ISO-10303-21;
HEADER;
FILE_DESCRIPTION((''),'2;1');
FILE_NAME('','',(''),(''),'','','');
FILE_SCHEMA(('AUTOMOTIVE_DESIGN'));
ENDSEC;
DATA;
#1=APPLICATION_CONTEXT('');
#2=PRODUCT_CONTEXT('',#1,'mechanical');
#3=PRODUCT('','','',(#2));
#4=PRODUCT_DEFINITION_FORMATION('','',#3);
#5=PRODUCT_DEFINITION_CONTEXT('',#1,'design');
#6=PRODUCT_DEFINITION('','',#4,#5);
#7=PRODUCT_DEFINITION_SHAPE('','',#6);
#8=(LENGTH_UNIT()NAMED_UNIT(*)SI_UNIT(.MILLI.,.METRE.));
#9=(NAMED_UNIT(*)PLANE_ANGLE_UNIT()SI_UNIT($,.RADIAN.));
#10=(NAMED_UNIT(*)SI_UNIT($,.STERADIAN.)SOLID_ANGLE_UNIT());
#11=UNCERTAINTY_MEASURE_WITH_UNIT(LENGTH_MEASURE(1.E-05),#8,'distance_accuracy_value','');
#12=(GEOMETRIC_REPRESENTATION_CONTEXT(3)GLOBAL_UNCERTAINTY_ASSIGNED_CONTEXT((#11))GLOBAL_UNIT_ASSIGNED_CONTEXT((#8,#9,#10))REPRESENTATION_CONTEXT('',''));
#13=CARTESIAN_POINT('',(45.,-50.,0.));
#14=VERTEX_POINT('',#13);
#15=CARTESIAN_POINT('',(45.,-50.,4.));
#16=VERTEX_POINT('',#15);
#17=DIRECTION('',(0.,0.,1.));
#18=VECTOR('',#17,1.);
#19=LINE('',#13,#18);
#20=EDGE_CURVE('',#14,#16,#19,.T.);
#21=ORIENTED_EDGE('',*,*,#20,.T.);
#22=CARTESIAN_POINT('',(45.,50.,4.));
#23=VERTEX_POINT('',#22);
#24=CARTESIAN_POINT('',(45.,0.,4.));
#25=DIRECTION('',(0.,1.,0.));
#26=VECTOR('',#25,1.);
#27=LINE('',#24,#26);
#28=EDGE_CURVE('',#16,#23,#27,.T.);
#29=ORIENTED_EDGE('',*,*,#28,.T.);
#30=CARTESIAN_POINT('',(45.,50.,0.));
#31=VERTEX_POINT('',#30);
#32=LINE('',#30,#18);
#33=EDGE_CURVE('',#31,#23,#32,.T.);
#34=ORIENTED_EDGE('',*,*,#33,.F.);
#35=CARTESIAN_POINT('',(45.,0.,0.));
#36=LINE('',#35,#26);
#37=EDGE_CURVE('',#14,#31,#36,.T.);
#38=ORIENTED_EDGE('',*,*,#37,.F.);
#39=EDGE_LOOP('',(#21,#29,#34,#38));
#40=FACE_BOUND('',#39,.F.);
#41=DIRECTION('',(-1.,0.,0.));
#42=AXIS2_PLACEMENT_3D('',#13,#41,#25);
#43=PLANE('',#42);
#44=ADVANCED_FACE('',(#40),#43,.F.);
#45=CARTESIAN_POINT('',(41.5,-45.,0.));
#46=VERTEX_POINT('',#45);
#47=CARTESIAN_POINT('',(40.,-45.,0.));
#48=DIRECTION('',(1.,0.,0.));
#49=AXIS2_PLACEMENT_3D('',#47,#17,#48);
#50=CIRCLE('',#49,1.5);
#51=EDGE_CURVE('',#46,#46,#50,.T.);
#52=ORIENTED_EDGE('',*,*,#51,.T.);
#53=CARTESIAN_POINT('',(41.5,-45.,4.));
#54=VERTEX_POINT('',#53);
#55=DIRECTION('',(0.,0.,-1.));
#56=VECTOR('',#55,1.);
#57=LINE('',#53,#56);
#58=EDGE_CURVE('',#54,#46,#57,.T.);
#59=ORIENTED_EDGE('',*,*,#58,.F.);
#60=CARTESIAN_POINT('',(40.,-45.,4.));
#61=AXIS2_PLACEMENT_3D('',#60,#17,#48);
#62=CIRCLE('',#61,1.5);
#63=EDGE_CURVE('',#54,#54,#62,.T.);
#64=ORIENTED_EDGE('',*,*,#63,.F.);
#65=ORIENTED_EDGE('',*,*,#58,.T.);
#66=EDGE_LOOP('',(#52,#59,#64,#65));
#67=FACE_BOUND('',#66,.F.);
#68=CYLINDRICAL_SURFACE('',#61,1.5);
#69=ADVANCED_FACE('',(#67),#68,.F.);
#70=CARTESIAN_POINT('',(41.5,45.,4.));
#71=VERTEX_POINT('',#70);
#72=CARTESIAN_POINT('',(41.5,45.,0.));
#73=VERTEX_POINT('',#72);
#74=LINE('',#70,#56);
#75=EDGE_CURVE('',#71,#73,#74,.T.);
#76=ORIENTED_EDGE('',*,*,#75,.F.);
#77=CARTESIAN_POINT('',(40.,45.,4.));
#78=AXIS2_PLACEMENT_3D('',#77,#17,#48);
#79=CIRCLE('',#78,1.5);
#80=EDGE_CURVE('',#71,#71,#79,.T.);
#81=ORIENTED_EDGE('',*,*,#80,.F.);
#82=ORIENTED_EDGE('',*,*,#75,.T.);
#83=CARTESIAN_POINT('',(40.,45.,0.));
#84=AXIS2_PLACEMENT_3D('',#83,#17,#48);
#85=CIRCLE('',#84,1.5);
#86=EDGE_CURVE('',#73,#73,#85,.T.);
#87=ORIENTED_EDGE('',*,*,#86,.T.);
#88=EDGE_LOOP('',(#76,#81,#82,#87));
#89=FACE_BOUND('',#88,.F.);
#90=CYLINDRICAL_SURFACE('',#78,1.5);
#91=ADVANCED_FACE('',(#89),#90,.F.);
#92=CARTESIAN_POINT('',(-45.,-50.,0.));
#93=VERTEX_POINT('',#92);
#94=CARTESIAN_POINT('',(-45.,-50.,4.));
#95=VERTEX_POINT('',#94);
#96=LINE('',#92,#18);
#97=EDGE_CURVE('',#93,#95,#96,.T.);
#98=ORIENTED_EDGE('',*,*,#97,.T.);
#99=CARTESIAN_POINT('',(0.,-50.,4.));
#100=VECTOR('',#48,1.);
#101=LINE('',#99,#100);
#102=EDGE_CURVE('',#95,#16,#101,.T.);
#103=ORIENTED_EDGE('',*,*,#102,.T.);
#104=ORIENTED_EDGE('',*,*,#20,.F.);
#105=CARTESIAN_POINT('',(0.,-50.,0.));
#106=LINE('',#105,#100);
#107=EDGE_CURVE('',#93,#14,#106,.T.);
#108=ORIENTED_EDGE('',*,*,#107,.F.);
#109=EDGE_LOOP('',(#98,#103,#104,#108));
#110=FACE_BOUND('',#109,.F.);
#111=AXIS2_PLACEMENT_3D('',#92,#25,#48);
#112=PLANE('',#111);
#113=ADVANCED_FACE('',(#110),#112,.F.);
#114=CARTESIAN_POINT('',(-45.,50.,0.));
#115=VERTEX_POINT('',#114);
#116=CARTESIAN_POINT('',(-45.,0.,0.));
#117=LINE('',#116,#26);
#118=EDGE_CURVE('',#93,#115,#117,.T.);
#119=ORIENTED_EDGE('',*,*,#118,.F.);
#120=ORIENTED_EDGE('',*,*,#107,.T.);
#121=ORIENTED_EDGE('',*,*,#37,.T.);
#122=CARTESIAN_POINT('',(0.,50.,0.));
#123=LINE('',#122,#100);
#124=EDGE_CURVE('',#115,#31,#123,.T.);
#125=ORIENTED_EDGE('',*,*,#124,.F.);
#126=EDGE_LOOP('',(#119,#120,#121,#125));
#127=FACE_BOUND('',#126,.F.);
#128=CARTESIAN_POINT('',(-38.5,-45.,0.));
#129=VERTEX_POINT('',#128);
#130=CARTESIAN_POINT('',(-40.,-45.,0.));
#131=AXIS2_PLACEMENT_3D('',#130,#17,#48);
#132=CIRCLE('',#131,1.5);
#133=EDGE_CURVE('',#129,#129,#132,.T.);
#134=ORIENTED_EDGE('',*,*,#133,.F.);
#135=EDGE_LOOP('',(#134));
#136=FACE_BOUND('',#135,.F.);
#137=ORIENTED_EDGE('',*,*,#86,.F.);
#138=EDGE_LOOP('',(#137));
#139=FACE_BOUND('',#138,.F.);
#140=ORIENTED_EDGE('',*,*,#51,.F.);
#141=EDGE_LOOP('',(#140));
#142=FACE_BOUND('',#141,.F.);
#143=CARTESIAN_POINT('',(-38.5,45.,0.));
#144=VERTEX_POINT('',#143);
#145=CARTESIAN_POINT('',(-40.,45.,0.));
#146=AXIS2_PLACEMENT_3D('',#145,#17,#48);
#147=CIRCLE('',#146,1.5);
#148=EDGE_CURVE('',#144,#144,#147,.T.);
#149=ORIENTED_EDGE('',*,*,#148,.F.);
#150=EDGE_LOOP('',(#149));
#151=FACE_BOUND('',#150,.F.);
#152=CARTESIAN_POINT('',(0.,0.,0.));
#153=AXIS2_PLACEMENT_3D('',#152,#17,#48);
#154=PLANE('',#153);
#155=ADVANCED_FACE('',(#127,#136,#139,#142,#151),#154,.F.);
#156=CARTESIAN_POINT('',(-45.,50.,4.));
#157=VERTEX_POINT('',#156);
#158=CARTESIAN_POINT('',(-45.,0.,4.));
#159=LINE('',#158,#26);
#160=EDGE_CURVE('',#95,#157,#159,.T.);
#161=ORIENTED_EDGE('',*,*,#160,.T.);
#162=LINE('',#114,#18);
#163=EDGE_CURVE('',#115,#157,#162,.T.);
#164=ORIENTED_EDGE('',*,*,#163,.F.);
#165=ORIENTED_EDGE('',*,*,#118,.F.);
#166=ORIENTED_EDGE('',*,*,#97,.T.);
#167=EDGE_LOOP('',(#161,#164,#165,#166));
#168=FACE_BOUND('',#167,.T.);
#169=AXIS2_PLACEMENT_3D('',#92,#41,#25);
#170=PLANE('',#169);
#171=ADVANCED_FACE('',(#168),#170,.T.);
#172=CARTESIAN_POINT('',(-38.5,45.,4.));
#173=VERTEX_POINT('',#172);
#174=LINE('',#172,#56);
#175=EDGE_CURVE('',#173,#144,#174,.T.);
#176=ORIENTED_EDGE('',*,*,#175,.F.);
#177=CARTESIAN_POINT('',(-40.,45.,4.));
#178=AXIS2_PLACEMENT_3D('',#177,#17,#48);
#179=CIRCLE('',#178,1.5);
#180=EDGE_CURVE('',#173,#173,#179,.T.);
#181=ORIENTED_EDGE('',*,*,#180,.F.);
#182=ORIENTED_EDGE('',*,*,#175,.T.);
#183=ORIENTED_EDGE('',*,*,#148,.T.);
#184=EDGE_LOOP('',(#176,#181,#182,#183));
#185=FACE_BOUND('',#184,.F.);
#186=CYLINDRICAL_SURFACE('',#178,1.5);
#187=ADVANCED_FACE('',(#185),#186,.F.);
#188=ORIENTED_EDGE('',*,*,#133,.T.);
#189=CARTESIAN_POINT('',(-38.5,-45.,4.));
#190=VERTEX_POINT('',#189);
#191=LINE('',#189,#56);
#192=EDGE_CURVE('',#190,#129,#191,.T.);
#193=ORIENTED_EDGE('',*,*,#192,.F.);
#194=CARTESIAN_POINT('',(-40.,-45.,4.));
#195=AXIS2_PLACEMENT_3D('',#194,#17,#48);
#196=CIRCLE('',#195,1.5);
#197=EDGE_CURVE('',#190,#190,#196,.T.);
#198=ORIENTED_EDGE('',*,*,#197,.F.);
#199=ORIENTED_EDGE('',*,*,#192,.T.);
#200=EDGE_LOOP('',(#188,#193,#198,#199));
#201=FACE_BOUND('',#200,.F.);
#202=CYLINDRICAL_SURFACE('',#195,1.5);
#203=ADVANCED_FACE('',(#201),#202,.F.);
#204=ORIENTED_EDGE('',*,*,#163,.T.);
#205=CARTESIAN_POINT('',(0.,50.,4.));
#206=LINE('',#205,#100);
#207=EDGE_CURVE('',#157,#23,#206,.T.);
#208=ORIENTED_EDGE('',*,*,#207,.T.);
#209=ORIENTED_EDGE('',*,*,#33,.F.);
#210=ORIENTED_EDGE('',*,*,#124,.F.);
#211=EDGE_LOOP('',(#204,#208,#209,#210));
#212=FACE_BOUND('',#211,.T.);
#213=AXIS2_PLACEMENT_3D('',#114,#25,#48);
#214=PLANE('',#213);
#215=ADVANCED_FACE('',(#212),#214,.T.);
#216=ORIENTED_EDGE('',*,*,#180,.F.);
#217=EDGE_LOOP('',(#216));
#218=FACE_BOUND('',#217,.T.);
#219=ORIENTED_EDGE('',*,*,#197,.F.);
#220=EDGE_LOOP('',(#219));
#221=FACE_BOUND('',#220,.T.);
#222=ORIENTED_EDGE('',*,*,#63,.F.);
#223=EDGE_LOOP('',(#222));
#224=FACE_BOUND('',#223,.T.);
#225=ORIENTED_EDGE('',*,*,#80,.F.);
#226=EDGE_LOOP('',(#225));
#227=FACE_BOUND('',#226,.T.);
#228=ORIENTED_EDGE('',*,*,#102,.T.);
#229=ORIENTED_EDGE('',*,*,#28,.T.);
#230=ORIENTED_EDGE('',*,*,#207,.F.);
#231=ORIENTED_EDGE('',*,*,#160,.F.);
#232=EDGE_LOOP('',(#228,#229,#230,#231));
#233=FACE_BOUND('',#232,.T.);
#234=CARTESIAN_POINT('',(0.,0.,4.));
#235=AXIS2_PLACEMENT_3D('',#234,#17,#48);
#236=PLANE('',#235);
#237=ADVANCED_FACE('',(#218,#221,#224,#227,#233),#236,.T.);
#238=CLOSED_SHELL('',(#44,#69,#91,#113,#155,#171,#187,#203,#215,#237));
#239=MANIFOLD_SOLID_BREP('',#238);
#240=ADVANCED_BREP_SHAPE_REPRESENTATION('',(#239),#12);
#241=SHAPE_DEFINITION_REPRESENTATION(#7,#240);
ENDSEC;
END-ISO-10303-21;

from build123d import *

# Parameters (mm, degrees)
SKETCH_W     = 90
SKETCH_H     = 100
PAD_DEPTH    = 4
SKETCH001_R  = 1.5
POCKET_DEPTH = 4


with BuildPart() as part:
    # Sketch → Pad (new body)
    with BuildSketch(Plane.XY):
        Rectangle(SKETCH_W, SKETCH_H)
    extrude(amount=PAD_DEPTH)

    # Sketch001 (on Face6 of Pad) → Pocket (cut)
    with BuildSketch(Plane.XY.offset(4)):
        with Locations((-40, 45)):
            Circle(SKETCH001_R)
        with Locations((40, 45)):
            Circle(SKETCH001_R)
        with Locations((-40, -45)):
            Circle(SKETCH001_R)
        with Locations((40, -45)):
            Circle(SKETCH001_R)
    extrude(amount=-POCKET_DEPTH, mode=Mode.SUBTRACT)


solid = part.part
